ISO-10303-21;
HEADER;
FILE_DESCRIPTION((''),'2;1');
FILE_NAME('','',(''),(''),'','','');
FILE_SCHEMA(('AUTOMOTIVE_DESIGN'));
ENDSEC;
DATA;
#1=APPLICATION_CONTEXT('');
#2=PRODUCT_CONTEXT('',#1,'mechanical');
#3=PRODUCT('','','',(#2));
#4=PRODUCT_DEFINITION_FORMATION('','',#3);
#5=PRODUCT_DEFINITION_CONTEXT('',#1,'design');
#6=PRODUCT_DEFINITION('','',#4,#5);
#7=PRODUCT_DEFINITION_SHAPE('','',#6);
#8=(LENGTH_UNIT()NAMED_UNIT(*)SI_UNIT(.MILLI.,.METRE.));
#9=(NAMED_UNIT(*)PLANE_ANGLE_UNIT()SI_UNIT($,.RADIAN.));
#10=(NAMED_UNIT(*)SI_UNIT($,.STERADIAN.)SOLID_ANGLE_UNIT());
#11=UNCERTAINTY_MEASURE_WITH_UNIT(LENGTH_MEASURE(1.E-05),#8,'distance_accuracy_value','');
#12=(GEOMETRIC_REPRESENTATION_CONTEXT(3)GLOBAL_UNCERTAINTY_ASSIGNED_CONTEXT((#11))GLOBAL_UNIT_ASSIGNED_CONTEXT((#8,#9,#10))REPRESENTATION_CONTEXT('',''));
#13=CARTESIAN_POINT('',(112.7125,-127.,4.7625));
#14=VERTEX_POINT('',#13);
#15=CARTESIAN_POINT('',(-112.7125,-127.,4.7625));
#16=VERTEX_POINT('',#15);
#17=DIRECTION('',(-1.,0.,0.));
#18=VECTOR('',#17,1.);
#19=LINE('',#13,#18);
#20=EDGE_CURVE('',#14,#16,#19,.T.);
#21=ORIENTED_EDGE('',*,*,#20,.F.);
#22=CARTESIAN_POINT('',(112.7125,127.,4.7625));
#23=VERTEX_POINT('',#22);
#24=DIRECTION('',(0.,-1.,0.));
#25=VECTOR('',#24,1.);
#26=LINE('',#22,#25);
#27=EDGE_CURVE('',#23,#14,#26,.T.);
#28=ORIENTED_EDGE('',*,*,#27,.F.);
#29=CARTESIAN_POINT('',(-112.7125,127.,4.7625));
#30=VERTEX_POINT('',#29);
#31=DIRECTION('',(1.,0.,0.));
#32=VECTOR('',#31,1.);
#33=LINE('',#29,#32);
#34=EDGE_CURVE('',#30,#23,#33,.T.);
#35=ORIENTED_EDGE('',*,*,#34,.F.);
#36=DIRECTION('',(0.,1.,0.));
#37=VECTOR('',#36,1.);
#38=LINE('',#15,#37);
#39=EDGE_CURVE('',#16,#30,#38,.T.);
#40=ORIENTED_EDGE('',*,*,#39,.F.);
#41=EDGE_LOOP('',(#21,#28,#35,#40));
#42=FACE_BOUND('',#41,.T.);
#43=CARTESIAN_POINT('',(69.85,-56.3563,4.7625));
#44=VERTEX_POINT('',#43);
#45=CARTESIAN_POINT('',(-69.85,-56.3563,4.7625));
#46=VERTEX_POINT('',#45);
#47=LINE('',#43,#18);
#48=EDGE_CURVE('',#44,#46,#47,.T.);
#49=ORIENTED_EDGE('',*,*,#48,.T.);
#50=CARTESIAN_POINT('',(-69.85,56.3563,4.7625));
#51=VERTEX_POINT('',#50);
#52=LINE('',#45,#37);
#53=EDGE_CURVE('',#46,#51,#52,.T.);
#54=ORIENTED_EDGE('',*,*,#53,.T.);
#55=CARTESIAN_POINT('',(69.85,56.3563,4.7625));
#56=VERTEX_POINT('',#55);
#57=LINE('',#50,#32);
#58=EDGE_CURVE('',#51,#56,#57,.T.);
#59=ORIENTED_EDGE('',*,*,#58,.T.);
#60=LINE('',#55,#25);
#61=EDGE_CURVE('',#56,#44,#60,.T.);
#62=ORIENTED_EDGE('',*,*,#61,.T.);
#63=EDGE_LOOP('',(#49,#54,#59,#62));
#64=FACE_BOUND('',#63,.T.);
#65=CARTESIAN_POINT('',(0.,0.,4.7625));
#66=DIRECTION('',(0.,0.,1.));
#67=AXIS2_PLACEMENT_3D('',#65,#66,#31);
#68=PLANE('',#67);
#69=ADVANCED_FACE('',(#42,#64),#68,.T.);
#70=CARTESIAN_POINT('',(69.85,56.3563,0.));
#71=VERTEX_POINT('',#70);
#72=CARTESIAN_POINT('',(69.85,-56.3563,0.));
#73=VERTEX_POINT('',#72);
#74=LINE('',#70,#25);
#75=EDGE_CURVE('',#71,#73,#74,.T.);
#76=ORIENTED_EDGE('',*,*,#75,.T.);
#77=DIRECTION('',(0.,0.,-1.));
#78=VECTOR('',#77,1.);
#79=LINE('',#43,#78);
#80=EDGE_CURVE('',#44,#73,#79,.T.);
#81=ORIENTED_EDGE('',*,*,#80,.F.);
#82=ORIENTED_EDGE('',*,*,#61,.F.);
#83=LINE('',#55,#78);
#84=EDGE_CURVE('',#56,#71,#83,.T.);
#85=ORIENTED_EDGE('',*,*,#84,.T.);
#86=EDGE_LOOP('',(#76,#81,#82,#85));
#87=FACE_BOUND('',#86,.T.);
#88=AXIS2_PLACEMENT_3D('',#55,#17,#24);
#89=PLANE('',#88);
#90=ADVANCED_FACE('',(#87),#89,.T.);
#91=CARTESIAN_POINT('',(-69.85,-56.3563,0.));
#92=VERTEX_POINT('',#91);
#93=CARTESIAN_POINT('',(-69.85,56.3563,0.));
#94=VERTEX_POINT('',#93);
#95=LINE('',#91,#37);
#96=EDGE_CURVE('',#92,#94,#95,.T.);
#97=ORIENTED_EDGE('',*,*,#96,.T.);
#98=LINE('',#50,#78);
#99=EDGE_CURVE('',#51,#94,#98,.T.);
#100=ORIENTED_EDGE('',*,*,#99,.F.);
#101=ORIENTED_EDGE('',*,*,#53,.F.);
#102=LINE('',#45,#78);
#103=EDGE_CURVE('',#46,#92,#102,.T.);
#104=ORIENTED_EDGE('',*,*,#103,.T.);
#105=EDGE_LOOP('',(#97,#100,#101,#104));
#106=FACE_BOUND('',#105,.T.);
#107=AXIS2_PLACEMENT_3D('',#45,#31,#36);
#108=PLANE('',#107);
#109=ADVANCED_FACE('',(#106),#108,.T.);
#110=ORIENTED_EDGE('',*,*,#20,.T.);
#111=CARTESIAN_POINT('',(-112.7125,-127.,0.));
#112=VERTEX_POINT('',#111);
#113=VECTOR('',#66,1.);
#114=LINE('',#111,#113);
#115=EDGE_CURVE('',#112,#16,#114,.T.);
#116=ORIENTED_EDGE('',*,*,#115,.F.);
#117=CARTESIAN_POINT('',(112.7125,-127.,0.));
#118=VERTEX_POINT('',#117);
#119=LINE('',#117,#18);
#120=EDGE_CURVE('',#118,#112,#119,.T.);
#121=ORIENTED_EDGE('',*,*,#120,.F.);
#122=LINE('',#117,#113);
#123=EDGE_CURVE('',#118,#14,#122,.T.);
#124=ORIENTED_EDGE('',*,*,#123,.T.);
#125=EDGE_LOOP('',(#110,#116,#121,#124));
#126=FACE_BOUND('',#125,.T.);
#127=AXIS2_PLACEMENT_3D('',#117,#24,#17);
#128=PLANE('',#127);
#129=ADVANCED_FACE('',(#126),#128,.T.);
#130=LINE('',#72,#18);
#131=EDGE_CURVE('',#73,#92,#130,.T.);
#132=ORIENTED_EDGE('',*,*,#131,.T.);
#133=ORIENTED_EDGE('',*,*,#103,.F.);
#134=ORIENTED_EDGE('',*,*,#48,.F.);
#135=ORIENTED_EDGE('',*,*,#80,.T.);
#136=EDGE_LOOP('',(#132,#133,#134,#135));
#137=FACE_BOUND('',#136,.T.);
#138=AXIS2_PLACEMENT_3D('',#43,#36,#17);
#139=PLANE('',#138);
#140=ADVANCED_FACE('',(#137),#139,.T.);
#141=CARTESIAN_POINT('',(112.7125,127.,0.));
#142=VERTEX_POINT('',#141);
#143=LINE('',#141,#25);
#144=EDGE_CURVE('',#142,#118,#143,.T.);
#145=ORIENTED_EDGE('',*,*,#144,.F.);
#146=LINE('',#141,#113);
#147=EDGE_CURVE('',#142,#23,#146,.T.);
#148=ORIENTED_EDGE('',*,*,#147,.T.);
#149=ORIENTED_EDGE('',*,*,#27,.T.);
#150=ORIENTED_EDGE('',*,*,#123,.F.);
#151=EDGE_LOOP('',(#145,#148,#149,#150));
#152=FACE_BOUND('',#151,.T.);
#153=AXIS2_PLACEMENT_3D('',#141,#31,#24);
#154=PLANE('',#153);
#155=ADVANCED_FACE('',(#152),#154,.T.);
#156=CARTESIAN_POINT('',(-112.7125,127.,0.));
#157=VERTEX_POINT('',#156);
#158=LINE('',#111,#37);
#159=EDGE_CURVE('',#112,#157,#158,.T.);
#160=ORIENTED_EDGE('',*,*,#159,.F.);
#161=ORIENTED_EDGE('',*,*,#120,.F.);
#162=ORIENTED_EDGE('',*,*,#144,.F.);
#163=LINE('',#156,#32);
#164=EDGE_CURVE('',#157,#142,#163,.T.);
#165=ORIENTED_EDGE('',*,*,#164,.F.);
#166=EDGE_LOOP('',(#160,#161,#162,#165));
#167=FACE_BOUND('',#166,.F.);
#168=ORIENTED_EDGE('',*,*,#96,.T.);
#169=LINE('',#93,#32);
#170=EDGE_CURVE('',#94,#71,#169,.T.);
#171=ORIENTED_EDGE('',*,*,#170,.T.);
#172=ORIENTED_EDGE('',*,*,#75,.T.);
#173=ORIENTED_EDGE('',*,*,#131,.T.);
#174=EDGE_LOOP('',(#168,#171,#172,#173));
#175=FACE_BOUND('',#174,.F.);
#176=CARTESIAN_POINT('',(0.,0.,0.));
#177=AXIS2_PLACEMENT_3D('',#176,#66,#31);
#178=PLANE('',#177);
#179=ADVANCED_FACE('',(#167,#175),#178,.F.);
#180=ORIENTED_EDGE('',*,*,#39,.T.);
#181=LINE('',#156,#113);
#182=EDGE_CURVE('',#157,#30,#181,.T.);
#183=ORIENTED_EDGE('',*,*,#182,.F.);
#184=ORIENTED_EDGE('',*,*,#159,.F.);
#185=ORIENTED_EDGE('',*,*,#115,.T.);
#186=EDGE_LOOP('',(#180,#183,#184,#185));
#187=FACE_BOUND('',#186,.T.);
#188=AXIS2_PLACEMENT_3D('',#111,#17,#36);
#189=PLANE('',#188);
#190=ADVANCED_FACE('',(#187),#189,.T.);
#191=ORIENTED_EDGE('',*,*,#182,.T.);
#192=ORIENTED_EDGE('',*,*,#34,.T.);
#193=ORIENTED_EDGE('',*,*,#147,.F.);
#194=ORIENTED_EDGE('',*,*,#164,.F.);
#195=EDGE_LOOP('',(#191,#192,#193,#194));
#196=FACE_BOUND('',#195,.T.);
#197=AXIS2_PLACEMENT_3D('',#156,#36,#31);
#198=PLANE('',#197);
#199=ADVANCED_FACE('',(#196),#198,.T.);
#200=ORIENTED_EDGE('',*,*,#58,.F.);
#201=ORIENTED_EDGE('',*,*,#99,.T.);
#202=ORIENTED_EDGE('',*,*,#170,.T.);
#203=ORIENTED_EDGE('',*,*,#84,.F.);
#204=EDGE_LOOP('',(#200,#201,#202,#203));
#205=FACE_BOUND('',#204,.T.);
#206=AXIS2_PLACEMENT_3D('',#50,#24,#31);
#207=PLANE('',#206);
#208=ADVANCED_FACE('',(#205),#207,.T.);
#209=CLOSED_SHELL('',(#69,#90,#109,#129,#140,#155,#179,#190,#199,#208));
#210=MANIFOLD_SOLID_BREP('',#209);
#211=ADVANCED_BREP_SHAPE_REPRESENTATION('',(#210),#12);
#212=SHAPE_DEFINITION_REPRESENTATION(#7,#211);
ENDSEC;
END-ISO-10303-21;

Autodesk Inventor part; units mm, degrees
ref_plane "YZ Plane" through (0, 0, 0) normal (1, 0, 0) x (0, 1, 0)
ref_plane "XZ Plane" through (0, 0, 0) normal (0, 1, 0) x (-1, 0, 0)
ref_plane "XY Plane" through (0, 0, 0) normal (0, 0, 1) x (1, 0, 0)
sketch "Sketch1" plane through (0, 0, 0) normal (0, 0, 1) x (1, 0, 0)
  line L0 (112.7125, -127) -> (-112.7125, -127)
  line L1 (-112.7125, -127) -> (-112.7125, 127)
  line L2 (-112.7125, 127) -> (112.7125, 127)
  line L3 (112.7125, 127) -> (112.7125, -127)
  line L4 (112.7125, -127) -> (-112.7125, 127) construction
  line L5 (-112.7125, -127) -> (112.7125, 127) construction
  point P0 (0, 0)
  dimension "d1" = 225.425
  dimension "d2" = 254
extrude "Plate1" add sketch "Sketch1" along normal blind 4.7625
sketch "Sketch2" plane through (0, 0, 4.7625) normal (0, 0, 1) x (1, 0, 0)
  line L0 (-69.85, 56.3563) -> (69.85, 56.3563)
  line L1 (69.85, 56.3563) -> (69.85, -56.3563)
  line L2 (69.85, -56.3563) -> (-69.85, -56.3563)
  line L3 (-69.85, -56.3563) -> (-69.85, 56.3563)
  line L4 (-69.85, 56.3563) -> (69.85, -56.3563) construction
  line L5 (69.85, 56.3563) -> (-69.85, -56.3563) construction
  point P0 (0, 0)
  dimension "d3" = 139.7
  dimension "d4" = 112.7125
extrude "Cut1" cut sketch "Sketch2" against normal blind 4.7625
equation "\"d5\" = Thickness"
equation "\"BendRadius\" = Thickness"
equation "\"BendReliefWidth\" = Thickness"
equation "\"BendReliefDepth\" = 0.5 * Thickness"
equation "\"CornerReliefSize\" = 4 * Thickness"
equation "\"MinimumRemnant\" = 2 * Thickness"
equation "\"TransitionRadius\" = BendRadius"
equation "\"JacobiRadiusSize\" = BendRadius"
equation "\"GapSize\" = Thickness"
equation "\"d0\" = BendRadius"
equation "\"Thickness\" = 4.7625"
properties part number "LeftSide" material "Steel, Mild"
